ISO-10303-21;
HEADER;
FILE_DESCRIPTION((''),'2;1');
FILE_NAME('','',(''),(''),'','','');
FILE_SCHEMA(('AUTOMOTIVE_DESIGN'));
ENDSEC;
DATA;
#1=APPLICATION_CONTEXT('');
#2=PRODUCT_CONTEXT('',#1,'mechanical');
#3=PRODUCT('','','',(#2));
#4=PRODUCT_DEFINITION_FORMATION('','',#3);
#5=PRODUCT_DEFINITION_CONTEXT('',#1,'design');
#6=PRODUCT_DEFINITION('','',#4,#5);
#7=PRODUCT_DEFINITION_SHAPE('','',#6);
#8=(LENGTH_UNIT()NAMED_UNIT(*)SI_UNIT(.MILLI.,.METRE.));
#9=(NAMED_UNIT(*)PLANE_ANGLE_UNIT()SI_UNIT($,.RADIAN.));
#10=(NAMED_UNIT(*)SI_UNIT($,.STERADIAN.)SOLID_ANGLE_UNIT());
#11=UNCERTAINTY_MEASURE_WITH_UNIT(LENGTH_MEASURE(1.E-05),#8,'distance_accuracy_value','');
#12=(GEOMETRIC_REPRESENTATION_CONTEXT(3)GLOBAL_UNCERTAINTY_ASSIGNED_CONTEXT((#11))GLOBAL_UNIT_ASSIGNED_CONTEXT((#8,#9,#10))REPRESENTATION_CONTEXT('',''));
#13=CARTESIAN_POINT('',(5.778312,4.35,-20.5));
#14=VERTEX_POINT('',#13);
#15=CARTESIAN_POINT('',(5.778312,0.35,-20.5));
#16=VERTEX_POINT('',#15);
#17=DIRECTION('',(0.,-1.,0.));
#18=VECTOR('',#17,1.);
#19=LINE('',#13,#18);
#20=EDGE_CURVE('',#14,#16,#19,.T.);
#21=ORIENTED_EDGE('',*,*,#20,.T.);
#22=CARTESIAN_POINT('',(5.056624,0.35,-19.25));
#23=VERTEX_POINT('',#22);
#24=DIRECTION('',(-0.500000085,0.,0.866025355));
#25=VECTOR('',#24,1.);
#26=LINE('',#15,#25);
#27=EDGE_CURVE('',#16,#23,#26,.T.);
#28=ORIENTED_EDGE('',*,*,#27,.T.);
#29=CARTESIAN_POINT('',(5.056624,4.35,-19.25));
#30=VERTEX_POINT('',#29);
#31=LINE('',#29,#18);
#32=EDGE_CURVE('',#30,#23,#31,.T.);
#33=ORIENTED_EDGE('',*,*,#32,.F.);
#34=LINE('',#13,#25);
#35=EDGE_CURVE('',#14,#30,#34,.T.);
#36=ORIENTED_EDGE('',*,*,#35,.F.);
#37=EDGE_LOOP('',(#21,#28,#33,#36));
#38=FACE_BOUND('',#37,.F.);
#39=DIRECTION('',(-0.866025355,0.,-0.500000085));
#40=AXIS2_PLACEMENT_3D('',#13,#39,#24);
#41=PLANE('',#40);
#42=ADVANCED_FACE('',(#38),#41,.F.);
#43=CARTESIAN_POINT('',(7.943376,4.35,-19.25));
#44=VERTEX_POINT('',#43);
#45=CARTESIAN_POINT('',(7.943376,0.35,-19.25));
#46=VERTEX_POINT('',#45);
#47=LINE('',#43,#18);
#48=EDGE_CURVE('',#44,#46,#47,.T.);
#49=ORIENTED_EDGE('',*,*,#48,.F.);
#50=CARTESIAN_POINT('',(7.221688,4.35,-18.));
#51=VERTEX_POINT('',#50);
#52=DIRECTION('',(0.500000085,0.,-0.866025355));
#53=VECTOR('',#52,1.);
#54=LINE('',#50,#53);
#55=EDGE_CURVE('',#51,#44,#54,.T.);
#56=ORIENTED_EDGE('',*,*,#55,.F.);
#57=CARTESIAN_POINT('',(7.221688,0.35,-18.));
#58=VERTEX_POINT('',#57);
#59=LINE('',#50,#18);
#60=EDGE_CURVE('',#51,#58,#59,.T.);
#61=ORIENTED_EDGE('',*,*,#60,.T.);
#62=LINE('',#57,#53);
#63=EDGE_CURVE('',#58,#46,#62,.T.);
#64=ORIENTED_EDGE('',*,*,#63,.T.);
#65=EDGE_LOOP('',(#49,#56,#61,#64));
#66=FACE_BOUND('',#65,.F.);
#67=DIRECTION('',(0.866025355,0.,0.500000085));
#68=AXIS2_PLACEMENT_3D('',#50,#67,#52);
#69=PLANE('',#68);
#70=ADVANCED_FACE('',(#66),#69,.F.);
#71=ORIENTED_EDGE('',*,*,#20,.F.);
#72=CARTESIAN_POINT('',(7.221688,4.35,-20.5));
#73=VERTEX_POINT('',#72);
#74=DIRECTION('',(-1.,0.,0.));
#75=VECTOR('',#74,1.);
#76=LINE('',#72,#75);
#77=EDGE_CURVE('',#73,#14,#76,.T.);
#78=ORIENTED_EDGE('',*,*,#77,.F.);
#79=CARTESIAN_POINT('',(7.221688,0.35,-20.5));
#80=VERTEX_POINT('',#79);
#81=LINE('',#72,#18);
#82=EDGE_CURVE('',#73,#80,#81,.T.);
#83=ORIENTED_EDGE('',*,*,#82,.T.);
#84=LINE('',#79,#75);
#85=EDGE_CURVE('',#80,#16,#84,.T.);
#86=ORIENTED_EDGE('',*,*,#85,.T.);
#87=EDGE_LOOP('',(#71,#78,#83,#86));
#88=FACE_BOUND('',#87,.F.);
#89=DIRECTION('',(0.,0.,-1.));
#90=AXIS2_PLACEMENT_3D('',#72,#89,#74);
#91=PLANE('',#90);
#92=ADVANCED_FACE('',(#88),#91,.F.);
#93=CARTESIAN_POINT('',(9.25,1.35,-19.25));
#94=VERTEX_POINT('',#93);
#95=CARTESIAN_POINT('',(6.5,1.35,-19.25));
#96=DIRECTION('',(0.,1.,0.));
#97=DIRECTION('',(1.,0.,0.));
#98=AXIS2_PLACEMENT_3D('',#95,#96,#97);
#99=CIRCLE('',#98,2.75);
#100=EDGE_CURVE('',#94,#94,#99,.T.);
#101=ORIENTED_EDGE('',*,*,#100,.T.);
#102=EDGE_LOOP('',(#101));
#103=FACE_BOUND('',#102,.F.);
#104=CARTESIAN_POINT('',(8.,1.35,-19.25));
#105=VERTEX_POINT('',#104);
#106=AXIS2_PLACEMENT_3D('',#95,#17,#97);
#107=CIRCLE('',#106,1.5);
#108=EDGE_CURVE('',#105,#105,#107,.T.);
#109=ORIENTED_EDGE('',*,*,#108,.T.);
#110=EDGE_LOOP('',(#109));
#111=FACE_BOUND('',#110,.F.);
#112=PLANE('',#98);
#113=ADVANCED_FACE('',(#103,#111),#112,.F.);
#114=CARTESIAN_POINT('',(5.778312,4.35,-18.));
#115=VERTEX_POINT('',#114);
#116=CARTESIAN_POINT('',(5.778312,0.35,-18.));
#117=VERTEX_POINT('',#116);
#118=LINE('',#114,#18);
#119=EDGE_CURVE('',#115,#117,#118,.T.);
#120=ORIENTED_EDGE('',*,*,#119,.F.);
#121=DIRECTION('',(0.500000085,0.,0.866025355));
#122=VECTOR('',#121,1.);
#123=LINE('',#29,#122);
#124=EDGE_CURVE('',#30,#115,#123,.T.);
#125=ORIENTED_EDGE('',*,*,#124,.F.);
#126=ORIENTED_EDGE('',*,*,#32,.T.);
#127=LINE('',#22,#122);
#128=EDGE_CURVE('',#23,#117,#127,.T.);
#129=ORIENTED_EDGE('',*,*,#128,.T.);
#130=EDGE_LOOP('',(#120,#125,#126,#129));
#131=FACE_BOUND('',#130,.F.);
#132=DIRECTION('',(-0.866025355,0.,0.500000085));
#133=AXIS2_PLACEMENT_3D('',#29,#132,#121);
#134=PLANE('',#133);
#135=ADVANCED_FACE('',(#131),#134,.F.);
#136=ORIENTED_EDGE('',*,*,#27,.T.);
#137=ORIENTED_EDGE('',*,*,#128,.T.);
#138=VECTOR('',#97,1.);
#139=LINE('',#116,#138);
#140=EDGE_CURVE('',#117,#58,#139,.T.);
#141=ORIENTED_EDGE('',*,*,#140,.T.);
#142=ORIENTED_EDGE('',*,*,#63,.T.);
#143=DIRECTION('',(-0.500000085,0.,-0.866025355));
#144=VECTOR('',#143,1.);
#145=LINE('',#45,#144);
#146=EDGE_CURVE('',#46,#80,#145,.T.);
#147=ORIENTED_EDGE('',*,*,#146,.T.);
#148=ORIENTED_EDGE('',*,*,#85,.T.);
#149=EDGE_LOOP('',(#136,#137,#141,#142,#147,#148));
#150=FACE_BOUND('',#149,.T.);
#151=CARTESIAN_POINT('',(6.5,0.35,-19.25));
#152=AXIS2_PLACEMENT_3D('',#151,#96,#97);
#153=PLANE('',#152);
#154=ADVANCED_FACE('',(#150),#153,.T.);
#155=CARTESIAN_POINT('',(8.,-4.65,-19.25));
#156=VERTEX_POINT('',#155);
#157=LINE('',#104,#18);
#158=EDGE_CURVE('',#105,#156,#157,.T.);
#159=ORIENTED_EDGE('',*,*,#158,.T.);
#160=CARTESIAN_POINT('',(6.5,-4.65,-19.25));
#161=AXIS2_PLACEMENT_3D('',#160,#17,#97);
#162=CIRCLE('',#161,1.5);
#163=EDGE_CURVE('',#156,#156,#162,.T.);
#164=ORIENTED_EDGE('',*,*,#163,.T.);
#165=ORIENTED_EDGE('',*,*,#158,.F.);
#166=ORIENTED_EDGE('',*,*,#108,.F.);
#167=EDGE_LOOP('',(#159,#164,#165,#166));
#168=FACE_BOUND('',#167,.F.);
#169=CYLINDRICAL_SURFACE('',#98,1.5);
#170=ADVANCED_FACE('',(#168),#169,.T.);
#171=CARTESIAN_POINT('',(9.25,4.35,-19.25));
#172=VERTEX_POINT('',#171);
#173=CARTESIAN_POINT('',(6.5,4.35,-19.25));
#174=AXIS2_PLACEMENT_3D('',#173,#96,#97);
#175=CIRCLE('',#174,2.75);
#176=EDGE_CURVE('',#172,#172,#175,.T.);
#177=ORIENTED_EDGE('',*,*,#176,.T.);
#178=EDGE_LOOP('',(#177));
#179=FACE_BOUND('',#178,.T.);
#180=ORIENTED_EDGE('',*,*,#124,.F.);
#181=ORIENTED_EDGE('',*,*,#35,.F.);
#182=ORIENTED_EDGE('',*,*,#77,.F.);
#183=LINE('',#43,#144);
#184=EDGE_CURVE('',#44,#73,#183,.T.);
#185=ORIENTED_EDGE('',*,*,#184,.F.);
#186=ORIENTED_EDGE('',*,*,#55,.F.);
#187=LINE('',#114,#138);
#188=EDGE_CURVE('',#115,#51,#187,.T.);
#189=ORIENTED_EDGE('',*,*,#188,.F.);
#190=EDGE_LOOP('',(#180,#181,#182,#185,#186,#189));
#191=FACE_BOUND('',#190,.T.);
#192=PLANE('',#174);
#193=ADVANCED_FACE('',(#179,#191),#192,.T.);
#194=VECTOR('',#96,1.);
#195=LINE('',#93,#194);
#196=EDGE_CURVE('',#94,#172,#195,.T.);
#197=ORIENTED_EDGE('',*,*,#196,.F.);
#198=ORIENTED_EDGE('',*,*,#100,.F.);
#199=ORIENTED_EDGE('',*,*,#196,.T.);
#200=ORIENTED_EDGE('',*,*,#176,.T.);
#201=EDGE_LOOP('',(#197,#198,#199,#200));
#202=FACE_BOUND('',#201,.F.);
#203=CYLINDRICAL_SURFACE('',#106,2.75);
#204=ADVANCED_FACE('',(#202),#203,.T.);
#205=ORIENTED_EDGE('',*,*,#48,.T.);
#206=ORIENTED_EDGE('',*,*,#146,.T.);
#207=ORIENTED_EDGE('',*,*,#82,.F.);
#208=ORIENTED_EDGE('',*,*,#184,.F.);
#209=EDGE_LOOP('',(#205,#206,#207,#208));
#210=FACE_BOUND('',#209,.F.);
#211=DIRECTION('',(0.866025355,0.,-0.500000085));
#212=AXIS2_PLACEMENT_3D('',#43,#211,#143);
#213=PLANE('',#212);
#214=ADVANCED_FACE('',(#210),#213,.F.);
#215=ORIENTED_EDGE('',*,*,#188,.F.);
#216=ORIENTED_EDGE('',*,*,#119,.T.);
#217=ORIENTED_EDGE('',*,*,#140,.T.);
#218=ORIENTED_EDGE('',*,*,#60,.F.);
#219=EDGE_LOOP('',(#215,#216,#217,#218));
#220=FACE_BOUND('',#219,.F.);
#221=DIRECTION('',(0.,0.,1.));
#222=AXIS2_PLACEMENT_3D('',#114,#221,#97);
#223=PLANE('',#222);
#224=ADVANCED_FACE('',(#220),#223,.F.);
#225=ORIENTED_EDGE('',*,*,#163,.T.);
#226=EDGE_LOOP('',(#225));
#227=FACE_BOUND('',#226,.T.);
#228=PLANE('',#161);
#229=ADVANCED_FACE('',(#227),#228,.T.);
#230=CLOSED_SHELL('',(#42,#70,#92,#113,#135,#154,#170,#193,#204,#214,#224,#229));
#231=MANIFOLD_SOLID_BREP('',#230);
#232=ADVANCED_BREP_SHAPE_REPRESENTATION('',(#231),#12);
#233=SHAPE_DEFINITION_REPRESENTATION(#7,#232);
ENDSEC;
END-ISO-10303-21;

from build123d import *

# Parameters (mm, degrees)
SKETCH045_R             = 2.75
PAD023_DEPTH            = 3
SKETCH046_R             = 1.5
PAD024_DEPTH            = 6
POCKET019_DEPTH         = 4
BODY014_PLACEMENT_ANGLE = 90


with BuildPart() as part:
    # Sketch045 → Pad023 (new body)
    with BuildSketch(Plane.XY):
        Circle(SKETCH045_R)
    extrude(amount=PAD023_DEPTH)

    # Sketch046 (on Face2 of Pad023) → Pad024 (join)
    with BuildSketch(Plane(origin=(0, 0, 0), x_dir=(1, 0, 0), z_dir=(0, 0, -1))):
        Circle(SKETCH046_R)
    extrude(amount=PAD024_DEPTH)

    # Sketch047 (on DatumPlane) → Pocket019 (cut)
    with BuildSketch(Plane.XY.offset(3)):
        Polygon((0.721688, -1.25), (1.443376, 0), (0.721688, 1.25), (-0.721688, 1.25), (-1.443376, 0), (-0.721688, -1.25), align=None)
    extrude(amount=-POCKET019_DEPTH, mode=Mode.SUBTRACT)


with BuildPart() as part_1:
    # Body014 placement: moved
    add(part.part.moved(Location((6.5, 1.35, -19.25))).rotate(Axis((6.5, 1.35, -19.25), (-1, 0, 0)), BODY014_PLACEMENT_ANGLE))


solid = part_1.part
